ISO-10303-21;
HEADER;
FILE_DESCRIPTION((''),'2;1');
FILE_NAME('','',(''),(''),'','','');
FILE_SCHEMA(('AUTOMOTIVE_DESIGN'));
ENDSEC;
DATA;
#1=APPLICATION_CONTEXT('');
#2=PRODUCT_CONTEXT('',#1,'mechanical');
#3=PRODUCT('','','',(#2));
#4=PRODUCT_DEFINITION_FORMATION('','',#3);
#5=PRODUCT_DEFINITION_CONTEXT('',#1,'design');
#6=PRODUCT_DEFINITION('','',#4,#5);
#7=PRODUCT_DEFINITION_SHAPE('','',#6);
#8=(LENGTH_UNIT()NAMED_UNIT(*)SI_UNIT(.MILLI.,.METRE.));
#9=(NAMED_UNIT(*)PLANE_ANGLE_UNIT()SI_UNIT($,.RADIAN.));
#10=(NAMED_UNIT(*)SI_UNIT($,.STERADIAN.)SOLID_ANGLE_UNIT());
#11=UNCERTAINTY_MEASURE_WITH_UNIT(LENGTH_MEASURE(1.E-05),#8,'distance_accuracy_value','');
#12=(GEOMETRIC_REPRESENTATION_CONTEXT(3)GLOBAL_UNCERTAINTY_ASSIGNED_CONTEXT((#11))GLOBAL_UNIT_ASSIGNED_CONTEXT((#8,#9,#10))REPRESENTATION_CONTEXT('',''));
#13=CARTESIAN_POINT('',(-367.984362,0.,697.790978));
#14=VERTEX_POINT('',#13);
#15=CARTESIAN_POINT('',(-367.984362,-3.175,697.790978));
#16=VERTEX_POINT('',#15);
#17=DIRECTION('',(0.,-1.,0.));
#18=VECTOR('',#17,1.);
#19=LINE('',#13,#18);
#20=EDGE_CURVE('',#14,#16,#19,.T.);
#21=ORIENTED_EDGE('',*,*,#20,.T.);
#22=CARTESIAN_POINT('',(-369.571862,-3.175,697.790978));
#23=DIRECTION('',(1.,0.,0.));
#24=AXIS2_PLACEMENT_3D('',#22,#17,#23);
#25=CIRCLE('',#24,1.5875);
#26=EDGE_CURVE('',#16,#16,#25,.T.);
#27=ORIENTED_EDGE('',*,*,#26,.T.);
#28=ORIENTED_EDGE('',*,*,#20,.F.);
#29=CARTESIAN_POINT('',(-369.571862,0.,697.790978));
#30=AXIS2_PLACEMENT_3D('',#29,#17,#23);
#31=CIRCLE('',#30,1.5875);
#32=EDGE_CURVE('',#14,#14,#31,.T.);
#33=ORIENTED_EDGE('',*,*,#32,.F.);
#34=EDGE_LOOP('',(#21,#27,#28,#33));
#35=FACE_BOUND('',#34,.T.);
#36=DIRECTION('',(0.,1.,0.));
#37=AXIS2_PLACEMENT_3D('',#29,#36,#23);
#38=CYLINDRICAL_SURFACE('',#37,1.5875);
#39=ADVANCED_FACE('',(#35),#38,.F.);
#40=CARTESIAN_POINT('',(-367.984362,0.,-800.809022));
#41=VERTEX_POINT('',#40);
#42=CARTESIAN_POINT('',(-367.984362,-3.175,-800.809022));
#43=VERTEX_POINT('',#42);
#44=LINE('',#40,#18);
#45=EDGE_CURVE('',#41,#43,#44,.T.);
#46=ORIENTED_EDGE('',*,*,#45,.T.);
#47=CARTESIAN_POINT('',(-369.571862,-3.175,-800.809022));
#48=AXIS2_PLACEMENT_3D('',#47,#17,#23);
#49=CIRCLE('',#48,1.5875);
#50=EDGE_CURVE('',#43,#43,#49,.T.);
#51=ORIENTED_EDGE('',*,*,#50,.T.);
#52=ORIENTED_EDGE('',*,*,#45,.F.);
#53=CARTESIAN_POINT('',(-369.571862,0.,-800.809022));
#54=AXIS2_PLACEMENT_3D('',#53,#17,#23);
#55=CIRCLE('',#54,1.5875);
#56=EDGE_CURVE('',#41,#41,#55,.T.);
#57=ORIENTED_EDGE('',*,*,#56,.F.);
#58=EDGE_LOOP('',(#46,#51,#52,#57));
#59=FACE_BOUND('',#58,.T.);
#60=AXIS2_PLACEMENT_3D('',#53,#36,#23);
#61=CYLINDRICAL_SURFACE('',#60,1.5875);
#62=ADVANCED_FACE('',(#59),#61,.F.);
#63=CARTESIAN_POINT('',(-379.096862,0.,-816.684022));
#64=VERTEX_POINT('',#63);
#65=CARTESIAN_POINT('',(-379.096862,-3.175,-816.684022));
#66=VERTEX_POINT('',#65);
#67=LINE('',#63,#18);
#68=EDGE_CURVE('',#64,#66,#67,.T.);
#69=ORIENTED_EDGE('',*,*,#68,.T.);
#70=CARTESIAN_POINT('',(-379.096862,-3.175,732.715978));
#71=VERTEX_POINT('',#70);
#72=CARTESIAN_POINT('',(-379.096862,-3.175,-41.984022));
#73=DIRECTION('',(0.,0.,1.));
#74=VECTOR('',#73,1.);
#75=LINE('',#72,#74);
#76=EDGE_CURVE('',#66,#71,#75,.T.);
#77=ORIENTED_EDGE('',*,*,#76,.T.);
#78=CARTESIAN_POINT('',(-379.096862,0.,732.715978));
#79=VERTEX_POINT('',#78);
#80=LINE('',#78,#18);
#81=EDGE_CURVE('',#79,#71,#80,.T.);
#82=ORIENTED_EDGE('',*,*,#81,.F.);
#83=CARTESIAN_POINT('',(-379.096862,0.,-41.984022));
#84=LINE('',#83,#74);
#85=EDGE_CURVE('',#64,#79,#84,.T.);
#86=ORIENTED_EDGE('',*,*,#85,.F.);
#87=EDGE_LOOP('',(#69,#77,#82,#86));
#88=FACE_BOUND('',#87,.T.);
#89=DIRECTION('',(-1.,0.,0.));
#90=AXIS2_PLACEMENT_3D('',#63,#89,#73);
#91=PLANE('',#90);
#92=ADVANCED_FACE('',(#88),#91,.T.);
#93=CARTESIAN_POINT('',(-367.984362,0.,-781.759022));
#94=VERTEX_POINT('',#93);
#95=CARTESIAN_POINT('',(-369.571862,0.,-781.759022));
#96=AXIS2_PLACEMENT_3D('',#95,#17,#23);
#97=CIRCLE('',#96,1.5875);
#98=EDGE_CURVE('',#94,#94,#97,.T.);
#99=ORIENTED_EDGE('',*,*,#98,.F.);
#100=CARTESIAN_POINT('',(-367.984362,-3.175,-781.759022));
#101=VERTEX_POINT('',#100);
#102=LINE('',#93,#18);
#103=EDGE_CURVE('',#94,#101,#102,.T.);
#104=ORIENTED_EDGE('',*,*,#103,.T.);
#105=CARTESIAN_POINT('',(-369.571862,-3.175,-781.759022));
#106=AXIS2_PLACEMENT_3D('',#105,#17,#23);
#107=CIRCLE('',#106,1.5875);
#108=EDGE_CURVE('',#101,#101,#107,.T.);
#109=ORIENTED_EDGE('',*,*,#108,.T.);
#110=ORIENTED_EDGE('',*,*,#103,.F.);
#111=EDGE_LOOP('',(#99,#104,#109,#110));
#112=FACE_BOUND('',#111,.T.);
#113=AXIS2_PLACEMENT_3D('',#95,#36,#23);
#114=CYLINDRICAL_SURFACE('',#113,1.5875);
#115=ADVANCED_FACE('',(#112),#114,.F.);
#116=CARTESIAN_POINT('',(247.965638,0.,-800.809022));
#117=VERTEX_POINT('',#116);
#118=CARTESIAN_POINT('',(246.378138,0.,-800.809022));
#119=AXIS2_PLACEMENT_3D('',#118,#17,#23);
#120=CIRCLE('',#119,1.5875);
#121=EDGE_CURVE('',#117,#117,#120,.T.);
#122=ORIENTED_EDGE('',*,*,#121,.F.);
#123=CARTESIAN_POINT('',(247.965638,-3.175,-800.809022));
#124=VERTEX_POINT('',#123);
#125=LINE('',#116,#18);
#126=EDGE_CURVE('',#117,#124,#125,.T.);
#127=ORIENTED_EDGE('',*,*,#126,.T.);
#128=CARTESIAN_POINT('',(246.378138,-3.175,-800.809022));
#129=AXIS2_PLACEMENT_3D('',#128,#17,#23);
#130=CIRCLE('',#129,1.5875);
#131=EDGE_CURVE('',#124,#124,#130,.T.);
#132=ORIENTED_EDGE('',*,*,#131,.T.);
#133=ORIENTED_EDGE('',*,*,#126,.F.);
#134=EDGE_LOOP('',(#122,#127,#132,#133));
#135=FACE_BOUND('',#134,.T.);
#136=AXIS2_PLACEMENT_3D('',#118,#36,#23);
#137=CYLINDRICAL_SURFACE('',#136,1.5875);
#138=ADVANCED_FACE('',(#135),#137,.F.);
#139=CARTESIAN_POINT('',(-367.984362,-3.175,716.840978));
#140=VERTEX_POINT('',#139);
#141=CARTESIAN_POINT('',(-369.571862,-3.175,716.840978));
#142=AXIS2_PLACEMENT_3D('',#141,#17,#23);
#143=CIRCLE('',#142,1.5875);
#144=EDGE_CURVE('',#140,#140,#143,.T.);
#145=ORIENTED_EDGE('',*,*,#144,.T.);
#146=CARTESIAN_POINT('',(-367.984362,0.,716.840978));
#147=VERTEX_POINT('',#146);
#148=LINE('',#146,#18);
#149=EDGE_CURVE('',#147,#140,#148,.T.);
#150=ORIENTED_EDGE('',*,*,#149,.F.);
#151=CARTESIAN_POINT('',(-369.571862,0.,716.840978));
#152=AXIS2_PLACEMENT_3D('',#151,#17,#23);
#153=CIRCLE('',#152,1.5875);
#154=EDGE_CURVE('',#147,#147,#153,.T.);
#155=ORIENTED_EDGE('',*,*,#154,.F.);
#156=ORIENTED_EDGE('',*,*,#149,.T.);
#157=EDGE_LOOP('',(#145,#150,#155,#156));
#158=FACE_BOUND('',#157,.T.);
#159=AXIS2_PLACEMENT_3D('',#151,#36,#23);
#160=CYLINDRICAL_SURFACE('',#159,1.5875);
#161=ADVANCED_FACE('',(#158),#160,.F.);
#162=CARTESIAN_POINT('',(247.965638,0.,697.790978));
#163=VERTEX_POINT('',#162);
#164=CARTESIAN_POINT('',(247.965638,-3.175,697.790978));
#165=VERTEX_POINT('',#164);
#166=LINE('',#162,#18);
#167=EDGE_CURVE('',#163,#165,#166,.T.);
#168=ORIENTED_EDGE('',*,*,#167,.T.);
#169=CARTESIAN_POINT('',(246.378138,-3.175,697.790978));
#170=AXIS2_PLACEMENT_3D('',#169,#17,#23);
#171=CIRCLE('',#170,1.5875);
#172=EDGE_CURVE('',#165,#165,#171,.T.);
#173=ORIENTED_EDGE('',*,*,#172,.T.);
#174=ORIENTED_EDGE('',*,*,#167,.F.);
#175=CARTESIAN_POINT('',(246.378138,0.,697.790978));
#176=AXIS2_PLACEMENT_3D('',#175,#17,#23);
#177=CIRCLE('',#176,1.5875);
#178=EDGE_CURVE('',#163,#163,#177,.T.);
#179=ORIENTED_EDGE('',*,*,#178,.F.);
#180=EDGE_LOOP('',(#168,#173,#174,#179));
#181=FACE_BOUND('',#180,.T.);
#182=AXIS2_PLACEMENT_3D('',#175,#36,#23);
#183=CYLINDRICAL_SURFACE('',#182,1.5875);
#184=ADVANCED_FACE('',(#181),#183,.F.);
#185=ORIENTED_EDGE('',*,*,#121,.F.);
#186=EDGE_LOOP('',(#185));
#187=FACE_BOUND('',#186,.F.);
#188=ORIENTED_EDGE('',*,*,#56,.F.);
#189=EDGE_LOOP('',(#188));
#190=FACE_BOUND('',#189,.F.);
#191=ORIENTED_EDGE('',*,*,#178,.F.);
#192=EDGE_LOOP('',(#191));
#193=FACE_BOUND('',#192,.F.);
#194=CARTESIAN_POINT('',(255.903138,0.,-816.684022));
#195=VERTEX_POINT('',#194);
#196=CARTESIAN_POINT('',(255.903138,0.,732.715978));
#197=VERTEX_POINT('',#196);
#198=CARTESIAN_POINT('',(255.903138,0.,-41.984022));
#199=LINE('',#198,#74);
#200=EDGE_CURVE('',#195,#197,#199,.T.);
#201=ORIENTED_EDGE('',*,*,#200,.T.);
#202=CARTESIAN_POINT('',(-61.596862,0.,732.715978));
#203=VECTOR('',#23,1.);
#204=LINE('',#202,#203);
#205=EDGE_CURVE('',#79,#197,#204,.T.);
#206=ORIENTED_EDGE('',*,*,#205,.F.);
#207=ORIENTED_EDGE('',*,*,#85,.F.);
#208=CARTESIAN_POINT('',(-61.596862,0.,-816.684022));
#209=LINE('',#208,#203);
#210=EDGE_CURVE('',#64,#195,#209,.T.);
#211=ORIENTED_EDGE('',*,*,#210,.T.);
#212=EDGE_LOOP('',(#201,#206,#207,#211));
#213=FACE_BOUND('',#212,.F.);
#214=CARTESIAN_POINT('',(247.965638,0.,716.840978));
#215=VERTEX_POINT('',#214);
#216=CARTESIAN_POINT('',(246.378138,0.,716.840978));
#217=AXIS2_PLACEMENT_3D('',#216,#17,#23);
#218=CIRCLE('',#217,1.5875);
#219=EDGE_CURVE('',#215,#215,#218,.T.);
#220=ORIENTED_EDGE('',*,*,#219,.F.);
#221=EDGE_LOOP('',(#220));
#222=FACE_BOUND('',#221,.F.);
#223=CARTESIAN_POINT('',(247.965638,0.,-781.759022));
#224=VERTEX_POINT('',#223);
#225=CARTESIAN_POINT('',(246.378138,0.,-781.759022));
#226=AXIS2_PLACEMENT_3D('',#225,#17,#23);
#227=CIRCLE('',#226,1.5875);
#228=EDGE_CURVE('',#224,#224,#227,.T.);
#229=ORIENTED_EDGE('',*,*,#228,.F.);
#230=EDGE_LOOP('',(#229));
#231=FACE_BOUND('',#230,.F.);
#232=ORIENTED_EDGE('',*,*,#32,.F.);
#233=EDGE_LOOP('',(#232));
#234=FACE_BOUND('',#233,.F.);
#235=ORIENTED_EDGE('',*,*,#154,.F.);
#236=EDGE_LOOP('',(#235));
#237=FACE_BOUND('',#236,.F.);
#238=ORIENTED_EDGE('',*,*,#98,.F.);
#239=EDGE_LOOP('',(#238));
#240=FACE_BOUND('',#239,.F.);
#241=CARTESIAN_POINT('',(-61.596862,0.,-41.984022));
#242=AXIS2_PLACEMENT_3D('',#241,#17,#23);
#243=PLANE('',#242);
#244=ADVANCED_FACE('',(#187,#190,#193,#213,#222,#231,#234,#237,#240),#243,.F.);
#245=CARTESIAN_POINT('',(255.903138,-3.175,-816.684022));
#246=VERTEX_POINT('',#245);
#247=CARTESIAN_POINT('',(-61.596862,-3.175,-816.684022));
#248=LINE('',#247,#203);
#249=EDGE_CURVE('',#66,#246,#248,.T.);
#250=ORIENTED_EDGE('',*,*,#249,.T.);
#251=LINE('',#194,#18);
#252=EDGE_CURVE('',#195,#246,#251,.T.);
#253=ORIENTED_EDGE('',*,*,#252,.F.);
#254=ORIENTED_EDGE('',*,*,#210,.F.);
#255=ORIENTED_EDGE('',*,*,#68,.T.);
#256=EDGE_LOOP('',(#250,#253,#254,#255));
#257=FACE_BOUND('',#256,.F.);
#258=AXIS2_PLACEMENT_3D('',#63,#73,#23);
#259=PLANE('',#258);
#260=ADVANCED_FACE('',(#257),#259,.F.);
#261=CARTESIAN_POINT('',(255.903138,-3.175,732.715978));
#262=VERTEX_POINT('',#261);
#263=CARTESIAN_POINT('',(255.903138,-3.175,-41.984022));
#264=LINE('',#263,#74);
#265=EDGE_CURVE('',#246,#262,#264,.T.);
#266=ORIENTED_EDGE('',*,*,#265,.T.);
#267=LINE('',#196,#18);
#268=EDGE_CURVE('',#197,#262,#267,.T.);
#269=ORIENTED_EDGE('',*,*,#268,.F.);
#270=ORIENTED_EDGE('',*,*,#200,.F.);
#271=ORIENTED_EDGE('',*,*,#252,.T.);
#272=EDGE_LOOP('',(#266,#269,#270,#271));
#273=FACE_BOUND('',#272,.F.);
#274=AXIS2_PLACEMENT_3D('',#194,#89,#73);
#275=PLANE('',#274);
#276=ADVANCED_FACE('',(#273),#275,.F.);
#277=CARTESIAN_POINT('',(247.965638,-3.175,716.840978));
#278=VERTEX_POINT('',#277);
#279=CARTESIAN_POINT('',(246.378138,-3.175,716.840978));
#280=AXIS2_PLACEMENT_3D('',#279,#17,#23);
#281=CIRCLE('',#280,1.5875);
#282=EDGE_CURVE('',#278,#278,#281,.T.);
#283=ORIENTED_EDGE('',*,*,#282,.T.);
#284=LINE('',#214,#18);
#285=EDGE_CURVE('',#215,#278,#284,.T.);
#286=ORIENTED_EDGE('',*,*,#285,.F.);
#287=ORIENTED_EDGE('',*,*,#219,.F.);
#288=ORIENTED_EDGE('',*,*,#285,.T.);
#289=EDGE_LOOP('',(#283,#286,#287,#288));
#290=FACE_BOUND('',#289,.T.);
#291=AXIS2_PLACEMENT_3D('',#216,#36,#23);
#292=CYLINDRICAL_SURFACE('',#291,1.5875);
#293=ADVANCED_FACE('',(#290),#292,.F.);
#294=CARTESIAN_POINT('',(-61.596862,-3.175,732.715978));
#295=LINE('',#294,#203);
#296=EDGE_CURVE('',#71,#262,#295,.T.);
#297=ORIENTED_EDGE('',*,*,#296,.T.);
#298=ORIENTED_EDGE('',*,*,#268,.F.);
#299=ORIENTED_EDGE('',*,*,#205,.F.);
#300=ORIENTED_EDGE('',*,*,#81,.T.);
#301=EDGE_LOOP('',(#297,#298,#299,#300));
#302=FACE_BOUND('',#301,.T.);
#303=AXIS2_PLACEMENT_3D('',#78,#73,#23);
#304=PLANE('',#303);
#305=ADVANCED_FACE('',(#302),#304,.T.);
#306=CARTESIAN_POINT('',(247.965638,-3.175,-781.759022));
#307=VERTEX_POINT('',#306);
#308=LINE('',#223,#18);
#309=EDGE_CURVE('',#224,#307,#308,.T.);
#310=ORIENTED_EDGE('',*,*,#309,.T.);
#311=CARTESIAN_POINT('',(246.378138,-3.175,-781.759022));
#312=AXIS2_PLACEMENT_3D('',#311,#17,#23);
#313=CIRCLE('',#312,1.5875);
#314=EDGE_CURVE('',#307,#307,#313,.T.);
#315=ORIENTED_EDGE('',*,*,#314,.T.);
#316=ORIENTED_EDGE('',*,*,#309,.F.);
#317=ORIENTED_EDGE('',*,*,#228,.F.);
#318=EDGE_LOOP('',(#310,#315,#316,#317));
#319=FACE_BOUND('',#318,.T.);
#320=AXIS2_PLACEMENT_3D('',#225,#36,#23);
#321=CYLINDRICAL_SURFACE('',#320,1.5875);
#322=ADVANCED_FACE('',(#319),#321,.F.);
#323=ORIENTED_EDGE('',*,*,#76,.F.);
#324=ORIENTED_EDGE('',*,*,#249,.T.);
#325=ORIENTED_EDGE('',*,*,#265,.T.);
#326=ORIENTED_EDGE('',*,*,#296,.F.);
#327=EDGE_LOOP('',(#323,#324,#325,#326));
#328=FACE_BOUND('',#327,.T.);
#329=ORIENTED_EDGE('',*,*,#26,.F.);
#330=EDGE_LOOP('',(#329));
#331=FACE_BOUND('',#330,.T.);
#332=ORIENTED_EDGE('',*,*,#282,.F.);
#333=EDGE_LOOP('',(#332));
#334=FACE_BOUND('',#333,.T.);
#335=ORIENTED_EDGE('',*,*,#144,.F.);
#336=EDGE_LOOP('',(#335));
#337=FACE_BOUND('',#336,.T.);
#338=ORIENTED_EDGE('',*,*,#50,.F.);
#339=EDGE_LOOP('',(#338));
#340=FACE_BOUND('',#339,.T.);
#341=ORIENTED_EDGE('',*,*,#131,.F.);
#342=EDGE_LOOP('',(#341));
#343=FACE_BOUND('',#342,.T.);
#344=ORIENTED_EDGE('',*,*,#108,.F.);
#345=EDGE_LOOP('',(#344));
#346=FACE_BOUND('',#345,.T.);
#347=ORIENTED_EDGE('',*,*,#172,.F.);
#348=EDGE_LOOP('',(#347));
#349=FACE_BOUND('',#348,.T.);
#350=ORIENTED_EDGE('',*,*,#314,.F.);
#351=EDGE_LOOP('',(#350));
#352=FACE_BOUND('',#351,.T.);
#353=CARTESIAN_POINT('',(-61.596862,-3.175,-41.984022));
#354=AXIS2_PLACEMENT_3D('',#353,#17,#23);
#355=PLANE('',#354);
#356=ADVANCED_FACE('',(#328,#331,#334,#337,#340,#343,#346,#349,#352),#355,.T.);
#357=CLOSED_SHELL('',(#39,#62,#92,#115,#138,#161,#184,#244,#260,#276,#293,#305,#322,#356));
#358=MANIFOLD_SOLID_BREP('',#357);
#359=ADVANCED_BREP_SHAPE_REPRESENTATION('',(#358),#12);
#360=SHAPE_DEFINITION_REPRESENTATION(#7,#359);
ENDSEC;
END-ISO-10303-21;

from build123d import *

# Parameters (mm, degrees)
F0_W     = 635
F0_H     = 1549.4
F0_R     = 1.5875
F1_DEPTH = 3.175


with BuildPart() as f1:
    # F0 (on Front) → F1 (new body)
    with BuildSketch(Plane.XZ):
        with Locations((-61.596862, -41.984022)):
            Rectangle(F0_W, F0_H)
        with Locations((-369.571862, -800.809022)):
            Circle(F0_R, mode=Mode.SUBTRACT)
        with Locations((-369.571862, -781.759022)):
            Circle(F0_R, mode=Mode.SUBTRACT)
        with Locations((246.378138, -800.809022)):
            Circle(F0_R, mode=Mode.SUBTRACT)
        with Locations((246.378138, -781.759022)):
            Circle(F0_R, mode=Mode.SUBTRACT)
        with Locations((-369.571862, 697.790978)):
            Circle(F0_R, mode=Mode.SUBTRACT)
        with Locations((-369.571862, 716.840978)):
            Circle(F0_R, mode=Mode.SUBTRACT)
        with Locations((246.378138, 697.790978)):
            Circle(F0_R, mode=Mode.SUBTRACT)
        with Locations((246.378138, 716.840978)):
            Circle(F0_R, mode=Mode.SUBTRACT)
    extrude(amount=F1_DEPTH)


solid = f1.part
